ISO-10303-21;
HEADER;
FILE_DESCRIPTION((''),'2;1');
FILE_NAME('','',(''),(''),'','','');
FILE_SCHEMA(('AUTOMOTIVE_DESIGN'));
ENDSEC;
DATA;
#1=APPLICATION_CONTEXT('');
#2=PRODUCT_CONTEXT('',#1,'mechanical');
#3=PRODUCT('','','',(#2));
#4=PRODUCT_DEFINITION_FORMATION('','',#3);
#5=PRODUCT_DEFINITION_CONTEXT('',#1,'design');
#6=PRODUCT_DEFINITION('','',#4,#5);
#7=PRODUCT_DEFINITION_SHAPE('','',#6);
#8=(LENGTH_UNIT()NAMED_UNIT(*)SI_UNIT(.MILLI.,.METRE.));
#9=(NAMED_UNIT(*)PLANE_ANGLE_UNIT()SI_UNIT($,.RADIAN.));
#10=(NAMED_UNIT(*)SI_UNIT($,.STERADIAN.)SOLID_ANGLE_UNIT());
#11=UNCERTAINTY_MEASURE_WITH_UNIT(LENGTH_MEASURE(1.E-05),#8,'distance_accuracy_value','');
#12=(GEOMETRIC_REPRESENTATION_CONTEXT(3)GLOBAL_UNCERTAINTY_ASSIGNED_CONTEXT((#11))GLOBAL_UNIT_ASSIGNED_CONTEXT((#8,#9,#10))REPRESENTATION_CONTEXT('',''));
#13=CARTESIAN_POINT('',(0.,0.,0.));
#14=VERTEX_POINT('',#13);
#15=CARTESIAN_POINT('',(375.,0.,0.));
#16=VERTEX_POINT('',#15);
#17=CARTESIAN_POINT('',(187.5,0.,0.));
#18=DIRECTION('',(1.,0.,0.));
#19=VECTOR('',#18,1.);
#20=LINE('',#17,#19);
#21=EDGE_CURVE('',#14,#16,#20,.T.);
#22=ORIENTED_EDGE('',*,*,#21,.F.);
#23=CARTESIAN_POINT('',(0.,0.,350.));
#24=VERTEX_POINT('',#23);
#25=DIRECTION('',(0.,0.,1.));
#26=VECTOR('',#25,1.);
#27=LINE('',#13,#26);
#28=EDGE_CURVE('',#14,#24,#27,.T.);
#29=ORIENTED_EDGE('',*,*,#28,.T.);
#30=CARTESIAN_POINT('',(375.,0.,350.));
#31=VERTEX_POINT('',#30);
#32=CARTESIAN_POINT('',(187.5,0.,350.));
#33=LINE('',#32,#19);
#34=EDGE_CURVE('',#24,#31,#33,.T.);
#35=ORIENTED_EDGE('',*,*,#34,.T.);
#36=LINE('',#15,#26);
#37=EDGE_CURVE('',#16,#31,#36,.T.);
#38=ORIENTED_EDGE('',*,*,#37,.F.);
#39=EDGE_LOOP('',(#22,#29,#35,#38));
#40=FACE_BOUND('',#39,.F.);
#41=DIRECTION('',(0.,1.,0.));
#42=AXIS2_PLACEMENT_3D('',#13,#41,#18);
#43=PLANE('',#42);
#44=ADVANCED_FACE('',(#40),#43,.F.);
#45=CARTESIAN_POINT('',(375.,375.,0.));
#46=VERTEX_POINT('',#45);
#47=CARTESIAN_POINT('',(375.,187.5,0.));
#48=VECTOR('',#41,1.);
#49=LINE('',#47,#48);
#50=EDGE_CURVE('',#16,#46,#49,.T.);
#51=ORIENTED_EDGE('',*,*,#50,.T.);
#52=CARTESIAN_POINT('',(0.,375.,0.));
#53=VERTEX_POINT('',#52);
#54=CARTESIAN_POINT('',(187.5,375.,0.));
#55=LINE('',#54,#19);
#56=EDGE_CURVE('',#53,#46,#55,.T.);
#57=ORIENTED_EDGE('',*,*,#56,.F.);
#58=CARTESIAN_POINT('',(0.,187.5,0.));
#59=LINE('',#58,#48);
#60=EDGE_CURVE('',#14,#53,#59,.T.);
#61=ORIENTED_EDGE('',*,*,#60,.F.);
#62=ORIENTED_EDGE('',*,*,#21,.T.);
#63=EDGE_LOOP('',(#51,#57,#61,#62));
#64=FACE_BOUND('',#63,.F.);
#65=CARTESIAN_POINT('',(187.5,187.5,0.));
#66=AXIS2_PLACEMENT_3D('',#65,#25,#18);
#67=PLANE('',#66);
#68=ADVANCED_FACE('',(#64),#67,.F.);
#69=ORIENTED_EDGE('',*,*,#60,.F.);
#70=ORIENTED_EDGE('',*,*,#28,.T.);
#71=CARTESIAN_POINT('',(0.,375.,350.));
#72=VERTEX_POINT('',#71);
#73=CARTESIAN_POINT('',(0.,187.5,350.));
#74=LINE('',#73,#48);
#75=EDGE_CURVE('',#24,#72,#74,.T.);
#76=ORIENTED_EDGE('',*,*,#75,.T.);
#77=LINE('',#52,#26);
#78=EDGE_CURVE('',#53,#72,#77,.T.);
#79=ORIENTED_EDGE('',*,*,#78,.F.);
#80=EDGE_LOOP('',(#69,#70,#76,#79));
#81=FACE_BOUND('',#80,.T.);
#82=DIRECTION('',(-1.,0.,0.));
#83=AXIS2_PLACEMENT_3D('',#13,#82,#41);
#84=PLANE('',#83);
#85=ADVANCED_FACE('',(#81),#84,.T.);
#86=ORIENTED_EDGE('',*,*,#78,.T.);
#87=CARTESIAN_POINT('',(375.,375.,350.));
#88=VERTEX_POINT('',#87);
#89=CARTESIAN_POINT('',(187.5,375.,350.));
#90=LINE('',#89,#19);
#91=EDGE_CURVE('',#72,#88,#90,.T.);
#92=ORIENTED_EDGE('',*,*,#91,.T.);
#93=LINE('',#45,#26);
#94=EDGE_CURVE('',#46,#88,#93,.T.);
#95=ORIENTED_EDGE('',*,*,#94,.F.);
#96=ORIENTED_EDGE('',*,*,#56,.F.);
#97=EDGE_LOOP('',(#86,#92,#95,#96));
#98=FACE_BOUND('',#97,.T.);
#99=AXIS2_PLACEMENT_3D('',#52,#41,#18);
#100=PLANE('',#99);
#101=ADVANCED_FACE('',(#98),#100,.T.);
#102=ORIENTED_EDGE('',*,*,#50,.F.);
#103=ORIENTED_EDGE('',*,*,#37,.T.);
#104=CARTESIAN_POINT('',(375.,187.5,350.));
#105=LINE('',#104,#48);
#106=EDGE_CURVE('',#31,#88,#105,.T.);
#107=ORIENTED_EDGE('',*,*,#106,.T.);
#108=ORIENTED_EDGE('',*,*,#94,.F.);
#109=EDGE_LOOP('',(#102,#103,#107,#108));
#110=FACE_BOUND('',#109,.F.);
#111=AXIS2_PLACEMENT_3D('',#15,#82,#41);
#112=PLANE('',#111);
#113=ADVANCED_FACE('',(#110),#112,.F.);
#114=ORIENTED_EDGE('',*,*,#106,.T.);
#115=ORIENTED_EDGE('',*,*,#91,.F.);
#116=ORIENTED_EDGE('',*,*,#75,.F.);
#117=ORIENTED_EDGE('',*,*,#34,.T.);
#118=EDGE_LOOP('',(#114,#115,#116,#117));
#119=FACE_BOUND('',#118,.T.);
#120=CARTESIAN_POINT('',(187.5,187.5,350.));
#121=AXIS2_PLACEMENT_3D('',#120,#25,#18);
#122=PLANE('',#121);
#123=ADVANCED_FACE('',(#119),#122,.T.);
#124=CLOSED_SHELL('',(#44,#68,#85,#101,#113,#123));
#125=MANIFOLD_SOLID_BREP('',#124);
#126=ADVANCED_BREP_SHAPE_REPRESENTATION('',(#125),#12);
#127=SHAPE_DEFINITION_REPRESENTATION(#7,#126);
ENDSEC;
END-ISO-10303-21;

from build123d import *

# Parameters (mm, degrees)
BOX_W     = 375
BOX_H     = 375
BOX_DEPTH = 350


with BuildPart() as part:
    # Box → Box (new body)
    with BuildSketch(Plane.XY):
        with Locations((187.5, 187.5)):
            Rectangle(BOX_W, BOX_H)
    extrude(amount=BOX_DEPTH)


solid = part.part
